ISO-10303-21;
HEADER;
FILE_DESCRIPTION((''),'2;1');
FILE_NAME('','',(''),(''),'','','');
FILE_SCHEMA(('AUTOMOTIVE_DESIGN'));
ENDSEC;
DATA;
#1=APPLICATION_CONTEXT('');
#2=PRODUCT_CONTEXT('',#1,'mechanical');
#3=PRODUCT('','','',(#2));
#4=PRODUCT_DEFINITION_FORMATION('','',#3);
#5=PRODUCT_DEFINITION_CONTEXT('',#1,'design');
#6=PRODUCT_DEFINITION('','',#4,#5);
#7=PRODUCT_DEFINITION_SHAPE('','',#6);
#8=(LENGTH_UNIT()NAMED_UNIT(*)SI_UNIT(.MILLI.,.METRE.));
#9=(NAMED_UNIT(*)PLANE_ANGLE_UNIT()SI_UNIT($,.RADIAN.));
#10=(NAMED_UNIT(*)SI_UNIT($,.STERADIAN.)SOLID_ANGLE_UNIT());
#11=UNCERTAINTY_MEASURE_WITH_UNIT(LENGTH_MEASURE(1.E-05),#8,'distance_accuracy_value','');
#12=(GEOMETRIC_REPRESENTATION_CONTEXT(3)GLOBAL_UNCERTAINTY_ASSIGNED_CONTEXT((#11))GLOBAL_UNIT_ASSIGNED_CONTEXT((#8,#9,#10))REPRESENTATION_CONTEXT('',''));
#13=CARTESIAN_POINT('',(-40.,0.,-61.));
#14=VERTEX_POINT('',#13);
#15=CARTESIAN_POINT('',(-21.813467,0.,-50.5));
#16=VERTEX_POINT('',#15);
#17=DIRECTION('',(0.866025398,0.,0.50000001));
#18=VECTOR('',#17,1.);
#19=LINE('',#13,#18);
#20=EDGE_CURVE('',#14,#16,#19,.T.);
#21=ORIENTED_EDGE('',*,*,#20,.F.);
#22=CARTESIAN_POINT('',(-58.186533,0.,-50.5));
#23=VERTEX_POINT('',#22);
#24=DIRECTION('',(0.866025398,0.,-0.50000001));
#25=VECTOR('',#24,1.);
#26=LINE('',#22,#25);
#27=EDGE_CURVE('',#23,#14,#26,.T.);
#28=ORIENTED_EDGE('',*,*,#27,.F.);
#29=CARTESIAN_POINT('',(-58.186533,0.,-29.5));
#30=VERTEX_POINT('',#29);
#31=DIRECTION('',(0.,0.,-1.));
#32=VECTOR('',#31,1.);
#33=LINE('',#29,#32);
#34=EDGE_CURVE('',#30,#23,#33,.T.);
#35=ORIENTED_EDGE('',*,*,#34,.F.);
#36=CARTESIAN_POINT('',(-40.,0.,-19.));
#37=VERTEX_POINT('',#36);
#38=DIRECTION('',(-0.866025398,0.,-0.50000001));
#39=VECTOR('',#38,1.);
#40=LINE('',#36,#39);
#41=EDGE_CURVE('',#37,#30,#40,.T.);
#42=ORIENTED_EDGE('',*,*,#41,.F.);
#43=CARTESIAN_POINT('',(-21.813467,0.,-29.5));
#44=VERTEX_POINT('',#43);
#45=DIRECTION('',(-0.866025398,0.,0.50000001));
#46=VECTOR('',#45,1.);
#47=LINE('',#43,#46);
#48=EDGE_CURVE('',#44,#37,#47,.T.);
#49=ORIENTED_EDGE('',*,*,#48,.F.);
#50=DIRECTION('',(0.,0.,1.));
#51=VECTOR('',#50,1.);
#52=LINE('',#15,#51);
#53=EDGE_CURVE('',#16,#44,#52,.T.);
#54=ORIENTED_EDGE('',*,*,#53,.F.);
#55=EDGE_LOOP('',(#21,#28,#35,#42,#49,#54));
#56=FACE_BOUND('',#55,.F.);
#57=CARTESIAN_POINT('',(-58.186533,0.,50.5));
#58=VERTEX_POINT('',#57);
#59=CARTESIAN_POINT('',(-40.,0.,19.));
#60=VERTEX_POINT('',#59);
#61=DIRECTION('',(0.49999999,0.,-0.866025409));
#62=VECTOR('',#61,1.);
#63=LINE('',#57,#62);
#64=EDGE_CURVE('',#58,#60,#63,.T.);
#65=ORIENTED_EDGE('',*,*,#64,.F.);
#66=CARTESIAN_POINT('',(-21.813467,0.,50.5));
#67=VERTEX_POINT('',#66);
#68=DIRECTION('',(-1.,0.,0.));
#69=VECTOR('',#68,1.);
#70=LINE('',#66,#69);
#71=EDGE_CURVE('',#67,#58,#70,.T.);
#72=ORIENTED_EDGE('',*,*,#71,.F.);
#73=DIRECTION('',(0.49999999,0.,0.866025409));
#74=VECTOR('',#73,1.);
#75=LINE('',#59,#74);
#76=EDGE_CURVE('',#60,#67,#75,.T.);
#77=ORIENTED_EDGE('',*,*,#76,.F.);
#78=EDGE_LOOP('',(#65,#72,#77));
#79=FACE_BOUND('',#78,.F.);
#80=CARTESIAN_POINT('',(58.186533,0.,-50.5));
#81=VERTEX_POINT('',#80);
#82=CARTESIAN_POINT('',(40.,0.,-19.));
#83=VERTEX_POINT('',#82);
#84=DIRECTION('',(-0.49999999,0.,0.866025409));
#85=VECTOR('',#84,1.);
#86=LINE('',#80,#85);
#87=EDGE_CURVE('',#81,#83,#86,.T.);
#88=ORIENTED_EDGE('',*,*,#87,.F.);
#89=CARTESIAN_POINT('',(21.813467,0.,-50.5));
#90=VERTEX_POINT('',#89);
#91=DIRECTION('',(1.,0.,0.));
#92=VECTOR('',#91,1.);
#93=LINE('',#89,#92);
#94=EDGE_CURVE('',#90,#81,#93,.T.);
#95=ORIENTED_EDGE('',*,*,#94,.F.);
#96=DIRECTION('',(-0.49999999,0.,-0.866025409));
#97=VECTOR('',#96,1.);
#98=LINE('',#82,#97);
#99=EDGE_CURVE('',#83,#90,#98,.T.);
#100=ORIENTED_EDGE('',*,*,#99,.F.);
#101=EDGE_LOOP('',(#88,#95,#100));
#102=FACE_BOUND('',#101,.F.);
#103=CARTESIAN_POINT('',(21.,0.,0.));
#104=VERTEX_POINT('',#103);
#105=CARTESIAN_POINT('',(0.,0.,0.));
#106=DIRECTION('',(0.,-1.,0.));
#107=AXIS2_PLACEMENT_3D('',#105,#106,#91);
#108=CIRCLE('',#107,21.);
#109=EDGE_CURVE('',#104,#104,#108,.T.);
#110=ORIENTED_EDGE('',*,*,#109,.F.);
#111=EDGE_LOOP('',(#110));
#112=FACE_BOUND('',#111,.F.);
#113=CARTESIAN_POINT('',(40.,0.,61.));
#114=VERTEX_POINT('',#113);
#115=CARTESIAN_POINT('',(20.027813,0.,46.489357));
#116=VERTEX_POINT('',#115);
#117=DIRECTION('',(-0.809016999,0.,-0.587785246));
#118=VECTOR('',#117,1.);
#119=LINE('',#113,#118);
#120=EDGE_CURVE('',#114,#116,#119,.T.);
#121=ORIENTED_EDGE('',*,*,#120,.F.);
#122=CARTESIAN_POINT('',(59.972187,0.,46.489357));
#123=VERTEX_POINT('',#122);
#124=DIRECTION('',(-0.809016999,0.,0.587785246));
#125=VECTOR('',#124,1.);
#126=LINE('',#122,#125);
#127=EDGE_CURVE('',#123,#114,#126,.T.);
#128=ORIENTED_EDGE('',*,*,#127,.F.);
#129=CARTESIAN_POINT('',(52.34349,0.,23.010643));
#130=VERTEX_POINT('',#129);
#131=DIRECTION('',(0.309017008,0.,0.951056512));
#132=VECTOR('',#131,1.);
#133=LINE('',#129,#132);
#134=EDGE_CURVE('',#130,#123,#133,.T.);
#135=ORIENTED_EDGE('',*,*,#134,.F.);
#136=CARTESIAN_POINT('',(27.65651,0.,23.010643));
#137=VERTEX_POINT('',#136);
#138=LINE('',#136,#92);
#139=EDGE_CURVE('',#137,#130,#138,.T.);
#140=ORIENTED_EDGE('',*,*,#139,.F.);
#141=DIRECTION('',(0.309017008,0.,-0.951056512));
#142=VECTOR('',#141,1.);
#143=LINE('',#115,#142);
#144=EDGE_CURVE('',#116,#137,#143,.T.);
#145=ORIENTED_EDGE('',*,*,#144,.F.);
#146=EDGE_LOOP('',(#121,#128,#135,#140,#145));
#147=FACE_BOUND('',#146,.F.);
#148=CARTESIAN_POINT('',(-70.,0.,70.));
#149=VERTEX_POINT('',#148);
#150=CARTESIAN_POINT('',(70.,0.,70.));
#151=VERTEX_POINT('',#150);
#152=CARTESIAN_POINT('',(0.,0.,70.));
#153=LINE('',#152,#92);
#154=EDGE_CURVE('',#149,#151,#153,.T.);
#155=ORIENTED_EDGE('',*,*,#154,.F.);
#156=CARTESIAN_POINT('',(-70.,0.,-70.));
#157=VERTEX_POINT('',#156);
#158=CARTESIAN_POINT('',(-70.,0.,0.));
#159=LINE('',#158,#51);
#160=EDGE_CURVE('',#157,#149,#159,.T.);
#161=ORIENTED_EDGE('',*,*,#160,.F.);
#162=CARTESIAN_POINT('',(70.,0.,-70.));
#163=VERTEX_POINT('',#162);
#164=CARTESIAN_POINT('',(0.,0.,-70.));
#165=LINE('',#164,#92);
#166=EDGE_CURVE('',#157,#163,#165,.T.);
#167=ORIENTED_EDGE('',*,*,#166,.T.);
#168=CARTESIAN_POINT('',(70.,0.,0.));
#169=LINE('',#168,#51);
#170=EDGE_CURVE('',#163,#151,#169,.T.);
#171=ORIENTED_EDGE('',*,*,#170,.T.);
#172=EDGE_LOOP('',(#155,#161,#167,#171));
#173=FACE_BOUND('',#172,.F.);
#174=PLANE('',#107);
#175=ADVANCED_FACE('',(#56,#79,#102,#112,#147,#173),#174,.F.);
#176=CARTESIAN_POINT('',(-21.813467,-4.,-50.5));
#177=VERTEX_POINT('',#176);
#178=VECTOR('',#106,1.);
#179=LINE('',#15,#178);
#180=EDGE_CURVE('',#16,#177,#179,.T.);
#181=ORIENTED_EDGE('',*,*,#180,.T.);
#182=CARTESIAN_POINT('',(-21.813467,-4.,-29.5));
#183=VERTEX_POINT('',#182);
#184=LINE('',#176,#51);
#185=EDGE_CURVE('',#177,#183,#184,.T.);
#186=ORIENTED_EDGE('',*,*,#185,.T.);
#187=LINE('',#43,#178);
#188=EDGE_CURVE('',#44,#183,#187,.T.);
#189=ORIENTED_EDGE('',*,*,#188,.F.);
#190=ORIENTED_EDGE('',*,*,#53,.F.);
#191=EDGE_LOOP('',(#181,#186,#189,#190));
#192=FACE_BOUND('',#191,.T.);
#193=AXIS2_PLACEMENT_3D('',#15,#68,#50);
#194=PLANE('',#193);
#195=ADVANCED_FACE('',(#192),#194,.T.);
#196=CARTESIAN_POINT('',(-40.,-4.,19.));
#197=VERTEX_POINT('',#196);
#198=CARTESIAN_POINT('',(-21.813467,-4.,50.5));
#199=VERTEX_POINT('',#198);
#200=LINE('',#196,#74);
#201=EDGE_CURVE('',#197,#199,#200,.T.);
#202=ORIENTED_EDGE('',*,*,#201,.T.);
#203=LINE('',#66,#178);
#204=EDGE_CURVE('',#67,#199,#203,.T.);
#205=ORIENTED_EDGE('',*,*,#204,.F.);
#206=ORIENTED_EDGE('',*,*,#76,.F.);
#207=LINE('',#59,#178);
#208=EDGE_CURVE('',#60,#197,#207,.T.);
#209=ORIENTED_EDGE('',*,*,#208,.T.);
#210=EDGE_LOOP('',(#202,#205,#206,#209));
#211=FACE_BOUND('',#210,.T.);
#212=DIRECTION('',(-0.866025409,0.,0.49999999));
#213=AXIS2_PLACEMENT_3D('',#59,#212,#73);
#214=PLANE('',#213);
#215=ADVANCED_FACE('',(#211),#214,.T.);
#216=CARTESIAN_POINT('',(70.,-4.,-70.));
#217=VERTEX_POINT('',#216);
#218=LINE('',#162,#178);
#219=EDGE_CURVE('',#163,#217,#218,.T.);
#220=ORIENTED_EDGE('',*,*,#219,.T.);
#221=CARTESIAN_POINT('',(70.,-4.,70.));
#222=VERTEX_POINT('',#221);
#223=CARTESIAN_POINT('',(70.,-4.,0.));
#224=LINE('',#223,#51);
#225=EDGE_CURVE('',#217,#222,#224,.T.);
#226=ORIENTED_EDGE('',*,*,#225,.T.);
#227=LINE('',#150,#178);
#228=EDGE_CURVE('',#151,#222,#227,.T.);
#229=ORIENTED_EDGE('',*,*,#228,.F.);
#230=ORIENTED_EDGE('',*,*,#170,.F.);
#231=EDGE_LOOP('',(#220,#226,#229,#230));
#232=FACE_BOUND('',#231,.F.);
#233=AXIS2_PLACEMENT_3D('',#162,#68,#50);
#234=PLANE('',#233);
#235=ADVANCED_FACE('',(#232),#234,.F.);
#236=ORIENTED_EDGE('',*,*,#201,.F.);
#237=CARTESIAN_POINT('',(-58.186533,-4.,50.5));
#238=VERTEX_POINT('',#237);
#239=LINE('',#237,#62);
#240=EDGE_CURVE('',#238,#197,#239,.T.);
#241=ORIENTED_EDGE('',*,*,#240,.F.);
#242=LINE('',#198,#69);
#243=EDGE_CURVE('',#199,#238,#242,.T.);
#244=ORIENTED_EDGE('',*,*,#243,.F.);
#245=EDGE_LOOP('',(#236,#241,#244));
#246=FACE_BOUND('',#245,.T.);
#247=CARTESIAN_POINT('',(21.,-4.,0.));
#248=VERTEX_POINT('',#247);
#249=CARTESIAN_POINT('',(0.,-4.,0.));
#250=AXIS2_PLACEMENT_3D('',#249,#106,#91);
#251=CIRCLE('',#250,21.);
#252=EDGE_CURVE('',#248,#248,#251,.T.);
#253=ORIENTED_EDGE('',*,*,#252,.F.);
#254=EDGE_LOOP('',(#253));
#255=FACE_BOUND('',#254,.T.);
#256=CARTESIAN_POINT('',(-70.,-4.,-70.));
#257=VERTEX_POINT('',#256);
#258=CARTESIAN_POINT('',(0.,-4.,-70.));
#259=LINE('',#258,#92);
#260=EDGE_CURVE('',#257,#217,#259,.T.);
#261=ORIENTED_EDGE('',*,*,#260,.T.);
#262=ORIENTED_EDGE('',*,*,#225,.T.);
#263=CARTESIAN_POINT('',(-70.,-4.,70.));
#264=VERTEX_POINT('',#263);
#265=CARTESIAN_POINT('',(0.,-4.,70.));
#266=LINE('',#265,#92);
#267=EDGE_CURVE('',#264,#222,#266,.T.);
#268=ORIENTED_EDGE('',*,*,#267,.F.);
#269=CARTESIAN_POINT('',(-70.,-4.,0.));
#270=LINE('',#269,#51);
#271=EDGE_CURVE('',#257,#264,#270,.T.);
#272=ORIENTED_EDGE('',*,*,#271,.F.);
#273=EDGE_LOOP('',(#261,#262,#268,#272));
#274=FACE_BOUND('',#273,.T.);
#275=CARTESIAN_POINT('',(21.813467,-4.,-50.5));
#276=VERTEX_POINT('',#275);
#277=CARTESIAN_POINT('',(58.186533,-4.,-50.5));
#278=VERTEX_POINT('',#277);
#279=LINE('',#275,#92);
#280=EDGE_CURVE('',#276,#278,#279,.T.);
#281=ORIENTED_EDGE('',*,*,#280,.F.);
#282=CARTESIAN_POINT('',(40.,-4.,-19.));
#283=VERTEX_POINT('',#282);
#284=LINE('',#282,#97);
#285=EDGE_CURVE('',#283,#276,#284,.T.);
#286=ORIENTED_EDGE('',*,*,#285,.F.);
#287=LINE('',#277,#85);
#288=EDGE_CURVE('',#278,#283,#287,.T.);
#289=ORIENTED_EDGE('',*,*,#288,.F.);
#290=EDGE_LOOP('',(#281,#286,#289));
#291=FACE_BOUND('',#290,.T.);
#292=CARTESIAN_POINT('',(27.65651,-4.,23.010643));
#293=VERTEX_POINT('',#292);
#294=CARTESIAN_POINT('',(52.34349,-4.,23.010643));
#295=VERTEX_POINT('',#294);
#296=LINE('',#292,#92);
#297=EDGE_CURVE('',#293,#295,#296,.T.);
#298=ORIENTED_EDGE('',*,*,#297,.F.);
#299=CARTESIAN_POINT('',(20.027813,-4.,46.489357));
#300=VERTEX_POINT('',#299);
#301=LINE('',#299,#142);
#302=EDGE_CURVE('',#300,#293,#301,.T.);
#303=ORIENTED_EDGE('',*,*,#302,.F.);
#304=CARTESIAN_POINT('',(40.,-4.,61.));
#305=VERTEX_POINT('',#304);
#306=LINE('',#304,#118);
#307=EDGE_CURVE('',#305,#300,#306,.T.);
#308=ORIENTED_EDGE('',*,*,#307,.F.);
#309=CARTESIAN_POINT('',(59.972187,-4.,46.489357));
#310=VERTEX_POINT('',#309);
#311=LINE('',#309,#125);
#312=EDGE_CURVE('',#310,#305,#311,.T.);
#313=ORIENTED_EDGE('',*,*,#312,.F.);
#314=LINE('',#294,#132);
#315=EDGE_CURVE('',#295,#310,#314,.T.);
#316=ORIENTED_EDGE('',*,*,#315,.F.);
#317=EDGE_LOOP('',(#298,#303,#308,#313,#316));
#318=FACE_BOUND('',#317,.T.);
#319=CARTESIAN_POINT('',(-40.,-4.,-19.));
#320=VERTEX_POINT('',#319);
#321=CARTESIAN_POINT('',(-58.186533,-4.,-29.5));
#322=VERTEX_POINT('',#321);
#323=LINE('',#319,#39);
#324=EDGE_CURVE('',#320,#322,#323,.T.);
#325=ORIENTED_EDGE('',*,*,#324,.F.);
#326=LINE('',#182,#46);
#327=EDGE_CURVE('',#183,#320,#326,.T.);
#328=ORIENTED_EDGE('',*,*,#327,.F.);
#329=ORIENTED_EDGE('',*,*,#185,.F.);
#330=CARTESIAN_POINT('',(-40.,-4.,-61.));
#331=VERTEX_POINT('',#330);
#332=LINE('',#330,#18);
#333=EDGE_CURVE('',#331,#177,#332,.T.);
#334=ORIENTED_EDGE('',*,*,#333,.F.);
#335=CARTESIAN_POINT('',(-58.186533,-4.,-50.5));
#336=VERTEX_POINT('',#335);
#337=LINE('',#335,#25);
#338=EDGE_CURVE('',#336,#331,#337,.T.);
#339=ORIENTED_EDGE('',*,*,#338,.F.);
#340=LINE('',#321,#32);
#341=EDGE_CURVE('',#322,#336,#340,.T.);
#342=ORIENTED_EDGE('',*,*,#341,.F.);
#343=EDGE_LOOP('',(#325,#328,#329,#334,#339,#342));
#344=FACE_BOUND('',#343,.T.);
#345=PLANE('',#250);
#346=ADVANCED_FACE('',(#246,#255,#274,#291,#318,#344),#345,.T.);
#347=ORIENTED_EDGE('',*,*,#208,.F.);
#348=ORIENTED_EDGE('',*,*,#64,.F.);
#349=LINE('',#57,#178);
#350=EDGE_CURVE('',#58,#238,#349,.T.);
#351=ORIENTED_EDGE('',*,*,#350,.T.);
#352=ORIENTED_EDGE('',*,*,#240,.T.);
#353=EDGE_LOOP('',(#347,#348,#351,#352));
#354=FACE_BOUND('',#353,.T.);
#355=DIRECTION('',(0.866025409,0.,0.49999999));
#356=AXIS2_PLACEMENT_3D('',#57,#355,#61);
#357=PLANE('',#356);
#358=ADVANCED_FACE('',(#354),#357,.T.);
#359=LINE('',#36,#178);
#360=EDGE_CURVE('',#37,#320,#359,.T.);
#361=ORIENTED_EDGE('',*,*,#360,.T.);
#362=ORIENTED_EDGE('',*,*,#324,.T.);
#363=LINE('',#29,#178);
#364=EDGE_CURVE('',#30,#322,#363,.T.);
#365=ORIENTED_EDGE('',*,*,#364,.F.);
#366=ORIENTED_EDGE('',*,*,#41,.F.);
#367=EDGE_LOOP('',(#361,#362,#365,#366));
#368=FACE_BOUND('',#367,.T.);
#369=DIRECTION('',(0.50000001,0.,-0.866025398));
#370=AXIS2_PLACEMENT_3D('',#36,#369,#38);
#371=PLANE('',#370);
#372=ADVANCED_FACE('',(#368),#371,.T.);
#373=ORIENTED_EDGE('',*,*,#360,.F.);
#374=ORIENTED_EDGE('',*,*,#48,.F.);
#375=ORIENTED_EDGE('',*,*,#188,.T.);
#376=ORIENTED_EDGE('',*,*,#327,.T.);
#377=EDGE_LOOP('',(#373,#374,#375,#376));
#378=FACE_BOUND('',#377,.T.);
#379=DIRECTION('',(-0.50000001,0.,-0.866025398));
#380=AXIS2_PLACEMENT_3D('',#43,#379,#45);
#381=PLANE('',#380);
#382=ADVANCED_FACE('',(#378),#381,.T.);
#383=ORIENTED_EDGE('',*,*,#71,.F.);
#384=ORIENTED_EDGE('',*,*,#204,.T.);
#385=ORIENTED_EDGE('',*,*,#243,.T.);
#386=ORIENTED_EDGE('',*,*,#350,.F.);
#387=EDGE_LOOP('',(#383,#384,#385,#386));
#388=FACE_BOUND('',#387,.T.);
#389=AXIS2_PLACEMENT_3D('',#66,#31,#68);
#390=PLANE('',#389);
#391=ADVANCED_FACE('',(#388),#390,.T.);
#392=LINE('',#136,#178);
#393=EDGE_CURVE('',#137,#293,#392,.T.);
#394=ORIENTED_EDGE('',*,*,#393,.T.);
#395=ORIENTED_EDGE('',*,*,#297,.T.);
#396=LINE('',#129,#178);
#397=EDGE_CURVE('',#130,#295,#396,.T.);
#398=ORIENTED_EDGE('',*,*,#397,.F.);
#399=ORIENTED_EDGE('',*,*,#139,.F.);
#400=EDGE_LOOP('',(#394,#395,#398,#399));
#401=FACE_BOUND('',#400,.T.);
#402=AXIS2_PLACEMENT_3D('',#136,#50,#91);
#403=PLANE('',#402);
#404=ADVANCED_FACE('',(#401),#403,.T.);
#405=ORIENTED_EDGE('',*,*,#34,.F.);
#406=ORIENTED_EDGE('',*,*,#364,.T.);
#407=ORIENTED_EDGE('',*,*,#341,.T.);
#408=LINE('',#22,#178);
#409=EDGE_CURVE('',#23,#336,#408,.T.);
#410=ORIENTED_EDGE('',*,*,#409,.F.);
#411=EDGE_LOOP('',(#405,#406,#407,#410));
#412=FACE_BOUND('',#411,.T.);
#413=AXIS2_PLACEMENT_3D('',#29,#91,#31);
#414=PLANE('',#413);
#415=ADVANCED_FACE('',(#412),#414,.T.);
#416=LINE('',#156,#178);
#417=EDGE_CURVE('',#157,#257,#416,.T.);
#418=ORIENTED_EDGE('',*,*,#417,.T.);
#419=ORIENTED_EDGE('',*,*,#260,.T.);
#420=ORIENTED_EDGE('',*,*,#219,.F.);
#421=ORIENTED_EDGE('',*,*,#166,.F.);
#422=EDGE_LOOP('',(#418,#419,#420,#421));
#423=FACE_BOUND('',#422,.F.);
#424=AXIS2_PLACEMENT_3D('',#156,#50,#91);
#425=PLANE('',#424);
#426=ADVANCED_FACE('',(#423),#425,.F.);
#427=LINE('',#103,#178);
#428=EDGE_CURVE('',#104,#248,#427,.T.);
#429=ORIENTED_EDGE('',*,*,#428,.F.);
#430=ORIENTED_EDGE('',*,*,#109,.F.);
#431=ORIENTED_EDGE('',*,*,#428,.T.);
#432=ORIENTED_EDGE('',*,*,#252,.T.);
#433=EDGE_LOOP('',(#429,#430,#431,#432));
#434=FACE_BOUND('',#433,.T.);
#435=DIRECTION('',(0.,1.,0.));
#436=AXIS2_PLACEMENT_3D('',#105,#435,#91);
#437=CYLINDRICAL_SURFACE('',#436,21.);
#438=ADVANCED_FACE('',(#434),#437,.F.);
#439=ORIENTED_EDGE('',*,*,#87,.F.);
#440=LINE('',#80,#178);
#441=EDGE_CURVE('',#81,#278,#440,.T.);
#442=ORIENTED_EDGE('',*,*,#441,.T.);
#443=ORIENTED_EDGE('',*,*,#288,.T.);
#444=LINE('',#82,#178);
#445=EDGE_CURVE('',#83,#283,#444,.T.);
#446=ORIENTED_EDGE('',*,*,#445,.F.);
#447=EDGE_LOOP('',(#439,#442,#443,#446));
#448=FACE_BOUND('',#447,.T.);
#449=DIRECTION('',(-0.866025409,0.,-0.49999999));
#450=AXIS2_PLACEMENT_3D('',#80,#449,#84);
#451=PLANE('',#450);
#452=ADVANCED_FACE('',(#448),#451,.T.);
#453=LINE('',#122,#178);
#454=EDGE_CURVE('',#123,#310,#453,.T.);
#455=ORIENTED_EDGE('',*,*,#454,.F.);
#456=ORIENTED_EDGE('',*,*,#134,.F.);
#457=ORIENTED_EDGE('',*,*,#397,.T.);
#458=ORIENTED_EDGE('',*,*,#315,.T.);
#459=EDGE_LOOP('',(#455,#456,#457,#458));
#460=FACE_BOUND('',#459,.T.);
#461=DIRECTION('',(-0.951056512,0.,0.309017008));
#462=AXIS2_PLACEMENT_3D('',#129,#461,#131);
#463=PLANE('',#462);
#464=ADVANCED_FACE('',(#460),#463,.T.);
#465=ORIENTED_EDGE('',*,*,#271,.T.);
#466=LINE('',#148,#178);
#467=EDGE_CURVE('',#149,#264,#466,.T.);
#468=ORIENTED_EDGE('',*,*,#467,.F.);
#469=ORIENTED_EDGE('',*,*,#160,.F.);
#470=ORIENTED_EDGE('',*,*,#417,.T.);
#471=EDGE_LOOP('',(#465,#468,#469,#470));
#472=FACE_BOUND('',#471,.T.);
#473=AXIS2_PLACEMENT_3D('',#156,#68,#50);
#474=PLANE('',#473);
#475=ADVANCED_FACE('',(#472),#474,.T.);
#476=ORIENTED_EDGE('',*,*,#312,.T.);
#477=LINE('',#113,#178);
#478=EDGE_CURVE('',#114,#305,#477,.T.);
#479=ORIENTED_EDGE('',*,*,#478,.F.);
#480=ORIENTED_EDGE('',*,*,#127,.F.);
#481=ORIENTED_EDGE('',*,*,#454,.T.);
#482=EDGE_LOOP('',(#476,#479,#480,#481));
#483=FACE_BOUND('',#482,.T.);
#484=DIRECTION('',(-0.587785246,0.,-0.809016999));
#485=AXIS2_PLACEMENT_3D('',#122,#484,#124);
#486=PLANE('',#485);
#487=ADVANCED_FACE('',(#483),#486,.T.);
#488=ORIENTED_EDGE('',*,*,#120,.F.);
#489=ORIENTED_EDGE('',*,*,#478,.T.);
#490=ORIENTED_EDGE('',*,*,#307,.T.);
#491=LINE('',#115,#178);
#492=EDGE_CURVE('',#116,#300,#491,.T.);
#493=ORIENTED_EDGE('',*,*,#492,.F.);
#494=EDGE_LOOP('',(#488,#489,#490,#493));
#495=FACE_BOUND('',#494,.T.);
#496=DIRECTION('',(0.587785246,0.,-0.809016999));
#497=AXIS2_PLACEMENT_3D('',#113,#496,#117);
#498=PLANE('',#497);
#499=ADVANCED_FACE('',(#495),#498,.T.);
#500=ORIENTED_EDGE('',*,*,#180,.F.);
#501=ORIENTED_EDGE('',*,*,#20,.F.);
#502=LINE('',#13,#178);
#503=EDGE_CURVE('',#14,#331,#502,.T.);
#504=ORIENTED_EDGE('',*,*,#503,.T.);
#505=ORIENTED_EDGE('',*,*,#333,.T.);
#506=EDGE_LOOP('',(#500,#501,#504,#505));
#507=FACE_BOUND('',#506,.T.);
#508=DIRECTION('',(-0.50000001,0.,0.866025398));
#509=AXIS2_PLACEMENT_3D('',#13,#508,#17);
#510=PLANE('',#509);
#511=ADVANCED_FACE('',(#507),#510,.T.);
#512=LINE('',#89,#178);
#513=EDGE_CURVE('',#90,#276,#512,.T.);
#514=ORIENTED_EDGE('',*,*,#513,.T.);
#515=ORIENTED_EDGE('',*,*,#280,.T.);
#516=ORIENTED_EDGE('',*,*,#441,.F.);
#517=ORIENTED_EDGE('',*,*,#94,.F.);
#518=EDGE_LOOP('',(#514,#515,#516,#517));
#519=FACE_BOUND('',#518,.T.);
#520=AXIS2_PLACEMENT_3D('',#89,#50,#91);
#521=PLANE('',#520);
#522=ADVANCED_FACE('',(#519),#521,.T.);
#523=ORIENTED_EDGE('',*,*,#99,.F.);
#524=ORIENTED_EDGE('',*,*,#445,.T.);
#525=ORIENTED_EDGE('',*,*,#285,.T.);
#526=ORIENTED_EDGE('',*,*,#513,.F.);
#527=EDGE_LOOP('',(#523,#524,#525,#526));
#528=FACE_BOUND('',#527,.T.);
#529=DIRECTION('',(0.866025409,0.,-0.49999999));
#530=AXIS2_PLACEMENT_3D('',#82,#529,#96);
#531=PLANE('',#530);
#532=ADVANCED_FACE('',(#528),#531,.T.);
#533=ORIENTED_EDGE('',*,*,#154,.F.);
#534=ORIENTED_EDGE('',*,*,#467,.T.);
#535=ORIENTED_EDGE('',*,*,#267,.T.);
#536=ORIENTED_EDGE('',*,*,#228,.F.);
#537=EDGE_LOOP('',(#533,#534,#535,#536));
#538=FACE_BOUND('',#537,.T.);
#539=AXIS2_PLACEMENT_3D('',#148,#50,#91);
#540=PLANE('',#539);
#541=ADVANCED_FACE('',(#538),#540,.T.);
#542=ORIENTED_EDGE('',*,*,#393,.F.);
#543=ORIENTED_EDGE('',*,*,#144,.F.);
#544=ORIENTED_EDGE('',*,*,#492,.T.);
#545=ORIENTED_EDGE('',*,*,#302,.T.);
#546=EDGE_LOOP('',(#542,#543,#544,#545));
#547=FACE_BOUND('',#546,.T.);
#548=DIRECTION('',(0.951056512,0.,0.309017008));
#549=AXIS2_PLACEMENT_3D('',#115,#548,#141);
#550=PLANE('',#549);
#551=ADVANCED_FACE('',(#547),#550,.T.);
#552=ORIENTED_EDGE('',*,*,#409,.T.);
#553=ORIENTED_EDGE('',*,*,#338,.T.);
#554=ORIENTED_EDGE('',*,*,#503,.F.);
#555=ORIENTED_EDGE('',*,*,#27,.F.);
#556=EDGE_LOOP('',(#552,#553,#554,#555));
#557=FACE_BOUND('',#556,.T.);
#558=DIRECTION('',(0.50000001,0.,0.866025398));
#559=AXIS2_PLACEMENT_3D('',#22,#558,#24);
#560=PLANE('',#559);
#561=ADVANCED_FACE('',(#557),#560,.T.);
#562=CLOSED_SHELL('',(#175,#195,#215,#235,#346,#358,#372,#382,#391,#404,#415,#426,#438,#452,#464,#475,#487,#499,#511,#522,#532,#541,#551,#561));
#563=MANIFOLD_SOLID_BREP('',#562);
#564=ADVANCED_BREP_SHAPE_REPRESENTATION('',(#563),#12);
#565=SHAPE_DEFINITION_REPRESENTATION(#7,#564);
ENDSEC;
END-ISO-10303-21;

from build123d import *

# Parameters (mm, degrees)
SKETCH_W  = 140
SKETCH_H  = 140
SKETCH_R  = 21
PAD_DEPTH = 4


with BuildPart() as part:
    # Sketch → Pad (new body)
    with BuildSketch(Plane.XZ):
        Rectangle(SKETCH_W, SKETCH_H)
        Circle(SKETCH_R, mode=Mode.SUBTRACT)
        Polygon((-40, 19), (-21.813467, 50.5), (-58.186533, 50.5), align=None, mode=Mode.SUBTRACT)
        Polygon((40, -19), (21.813467, -50.5), (58.186533, -50.5), align=None, mode=Mode.SUBTRACT)
        Polygon((27.65651, 23.010643), (52.34349, 23.010643), (59.972187, 46.489357), (40, 61), (20.027813, 46.489357), align=None, mode=Mode.SUBTRACT)
        Polygon((-21.813467, -29.5), (-40, -19), (-58.186533, -29.5), (-58.186533, -50.5), (-40, -61), (-21.813467, -50.5), align=None, mode=Mode.SUBTRACT)
    extrude(amount=PAD_DEPTH)


solid = part.part
